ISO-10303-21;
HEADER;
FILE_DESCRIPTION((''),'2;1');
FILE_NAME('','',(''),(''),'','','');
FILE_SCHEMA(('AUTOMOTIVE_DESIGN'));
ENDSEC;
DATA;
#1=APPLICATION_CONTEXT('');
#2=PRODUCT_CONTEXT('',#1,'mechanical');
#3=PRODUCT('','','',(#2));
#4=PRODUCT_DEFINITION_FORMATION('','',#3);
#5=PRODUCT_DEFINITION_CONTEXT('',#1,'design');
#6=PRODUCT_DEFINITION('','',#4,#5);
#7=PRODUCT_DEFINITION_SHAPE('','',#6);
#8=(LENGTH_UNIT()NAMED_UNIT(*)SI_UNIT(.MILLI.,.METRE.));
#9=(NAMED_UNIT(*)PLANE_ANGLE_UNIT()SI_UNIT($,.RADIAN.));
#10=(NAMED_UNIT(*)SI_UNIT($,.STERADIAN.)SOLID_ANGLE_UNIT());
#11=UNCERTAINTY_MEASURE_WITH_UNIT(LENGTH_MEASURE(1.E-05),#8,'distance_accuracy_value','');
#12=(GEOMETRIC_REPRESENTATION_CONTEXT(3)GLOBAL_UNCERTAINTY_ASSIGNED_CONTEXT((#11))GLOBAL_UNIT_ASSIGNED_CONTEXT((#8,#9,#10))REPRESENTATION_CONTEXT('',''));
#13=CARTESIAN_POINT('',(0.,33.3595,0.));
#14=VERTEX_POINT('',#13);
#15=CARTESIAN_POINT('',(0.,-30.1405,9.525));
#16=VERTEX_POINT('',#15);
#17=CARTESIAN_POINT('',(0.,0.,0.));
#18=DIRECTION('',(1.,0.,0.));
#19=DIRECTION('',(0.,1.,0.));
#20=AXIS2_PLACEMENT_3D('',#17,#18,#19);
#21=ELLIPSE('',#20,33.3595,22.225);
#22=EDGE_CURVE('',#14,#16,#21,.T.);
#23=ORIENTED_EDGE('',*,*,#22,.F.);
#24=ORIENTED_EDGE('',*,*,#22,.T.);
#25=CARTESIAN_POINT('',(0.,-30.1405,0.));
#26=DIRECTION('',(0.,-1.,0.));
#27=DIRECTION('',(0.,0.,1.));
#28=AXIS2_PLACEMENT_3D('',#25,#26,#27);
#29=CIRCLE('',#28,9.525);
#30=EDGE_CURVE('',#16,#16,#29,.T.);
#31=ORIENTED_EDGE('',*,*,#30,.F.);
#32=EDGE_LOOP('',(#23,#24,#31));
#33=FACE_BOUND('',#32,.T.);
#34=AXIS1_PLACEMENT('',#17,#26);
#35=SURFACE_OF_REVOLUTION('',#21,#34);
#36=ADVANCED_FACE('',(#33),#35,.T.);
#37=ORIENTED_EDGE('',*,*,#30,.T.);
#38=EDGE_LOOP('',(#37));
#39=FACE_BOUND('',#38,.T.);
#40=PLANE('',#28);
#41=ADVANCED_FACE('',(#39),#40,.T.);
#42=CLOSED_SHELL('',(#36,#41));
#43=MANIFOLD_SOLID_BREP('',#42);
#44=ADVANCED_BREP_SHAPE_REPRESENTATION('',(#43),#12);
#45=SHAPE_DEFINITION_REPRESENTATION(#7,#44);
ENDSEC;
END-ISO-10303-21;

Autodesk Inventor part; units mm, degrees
ref_plane "YZ Plane" through (0, 0, 0) normal (1, 0, 0) x (0, 1, 0)
ref_plane "XZ Plane" through (0, 0, 0) normal (0, 1, 0) x (-1, 0, 0)
ref_plane "XY Plane" through (0, 0, 0) normal (0, 0, 1) x (1, 0, 0)
sketch "Sketch1" plane through (0, 0, 0) normal (1, 0, 0) x (0, 1, 0)
  line L0 (0, 0) -> (0, -22.225)
  line L1 (0, 0) -> (33.3595, 0)
  ellipse E0 centre (0, 0) end of major axis (33.3595, 0) minor radius 22.225
  line L2 (-30.1405, 9.525) -> (-30.1405, -9.525)
  line L3 (0, 0) -> (-30.1405, 0)
  line L4 (33.3595, 0) -> (-30.1405, 0)
  dimension "d1" = 22.225
  dimension "d2" = 63.5
  dimension "d3" = 19.05
revolve "Revolution1" add sketch "Sketch1" angle 360 about axis through (0, 0, 0) along (0, -1, 0) contours L3 L2 E0 L1
properties part number "Egg"
